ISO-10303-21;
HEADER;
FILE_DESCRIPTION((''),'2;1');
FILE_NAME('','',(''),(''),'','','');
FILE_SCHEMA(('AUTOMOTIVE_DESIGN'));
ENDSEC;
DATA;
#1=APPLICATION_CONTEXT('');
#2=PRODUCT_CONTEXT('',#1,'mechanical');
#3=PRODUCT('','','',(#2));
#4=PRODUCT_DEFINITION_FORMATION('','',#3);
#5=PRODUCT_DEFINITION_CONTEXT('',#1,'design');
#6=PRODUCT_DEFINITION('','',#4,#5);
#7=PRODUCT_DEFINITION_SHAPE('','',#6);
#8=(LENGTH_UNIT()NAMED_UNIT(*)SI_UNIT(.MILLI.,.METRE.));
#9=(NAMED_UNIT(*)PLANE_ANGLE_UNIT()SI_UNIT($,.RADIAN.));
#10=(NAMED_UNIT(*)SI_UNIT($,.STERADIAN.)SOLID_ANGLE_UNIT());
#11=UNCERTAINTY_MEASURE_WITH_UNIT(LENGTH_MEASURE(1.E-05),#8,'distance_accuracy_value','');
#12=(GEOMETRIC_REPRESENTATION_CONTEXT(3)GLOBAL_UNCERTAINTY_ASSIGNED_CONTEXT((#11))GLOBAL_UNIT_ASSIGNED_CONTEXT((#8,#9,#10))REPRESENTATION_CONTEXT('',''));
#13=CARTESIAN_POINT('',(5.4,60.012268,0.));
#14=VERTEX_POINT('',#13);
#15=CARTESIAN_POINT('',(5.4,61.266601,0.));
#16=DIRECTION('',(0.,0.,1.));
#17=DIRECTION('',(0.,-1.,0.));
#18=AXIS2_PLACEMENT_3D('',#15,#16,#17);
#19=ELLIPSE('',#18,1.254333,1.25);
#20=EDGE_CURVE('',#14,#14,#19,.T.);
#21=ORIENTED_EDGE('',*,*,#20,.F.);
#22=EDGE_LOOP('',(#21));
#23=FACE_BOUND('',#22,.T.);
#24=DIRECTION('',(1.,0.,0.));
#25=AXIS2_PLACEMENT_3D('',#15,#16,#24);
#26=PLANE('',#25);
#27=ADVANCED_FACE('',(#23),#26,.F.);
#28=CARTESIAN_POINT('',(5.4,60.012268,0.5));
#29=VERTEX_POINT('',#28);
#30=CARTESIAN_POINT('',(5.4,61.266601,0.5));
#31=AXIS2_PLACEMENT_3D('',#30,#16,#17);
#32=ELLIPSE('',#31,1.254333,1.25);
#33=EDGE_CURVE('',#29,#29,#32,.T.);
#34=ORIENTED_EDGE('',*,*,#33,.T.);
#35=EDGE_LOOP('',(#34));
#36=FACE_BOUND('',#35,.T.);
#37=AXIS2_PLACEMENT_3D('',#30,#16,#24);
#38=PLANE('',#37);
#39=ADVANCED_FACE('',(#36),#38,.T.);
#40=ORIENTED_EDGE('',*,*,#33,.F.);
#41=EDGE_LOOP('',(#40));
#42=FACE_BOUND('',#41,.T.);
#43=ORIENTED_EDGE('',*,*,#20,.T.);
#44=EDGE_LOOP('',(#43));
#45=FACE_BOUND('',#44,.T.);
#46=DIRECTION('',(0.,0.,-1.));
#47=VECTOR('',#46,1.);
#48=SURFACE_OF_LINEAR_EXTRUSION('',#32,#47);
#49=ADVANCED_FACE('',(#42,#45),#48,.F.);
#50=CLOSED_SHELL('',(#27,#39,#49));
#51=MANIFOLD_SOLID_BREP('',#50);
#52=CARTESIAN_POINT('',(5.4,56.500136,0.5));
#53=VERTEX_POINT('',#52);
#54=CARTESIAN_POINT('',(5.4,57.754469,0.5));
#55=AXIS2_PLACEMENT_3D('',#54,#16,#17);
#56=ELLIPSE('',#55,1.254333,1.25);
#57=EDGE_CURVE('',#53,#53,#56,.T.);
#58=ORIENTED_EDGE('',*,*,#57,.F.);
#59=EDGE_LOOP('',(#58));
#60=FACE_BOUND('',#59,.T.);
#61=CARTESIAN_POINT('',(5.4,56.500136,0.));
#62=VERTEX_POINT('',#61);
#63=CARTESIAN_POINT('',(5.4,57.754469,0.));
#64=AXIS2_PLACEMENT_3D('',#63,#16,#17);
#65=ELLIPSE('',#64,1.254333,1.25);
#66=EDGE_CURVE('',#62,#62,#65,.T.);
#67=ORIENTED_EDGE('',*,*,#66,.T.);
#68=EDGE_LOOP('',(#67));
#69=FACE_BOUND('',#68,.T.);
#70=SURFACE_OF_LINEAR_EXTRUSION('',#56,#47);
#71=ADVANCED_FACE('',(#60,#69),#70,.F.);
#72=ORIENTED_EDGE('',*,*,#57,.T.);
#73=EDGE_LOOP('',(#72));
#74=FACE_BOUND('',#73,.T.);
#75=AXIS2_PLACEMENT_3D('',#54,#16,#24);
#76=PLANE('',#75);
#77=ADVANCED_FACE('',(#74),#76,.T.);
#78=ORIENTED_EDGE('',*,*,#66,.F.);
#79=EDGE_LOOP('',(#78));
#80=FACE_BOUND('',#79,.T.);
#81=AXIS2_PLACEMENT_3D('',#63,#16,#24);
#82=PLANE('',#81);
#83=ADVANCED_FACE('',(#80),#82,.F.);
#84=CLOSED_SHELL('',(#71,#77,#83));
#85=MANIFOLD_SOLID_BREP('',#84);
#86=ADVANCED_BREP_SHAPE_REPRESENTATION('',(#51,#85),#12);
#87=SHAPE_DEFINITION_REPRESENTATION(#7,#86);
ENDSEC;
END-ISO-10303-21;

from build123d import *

# Parameters (mm, degrees)
ESQUISSE1_RX         = 1.254332769
ESQUISSE1_RY         = 1.25
BOSS_EXTRU_1_DEPTH   = 0.5
BOSS_EXTRU_1_2_DEPTH = 0.5


with BuildPart() as part:
    # Esquisse1 → Boss.-Extru.1 (new body)
    with BuildSketch(Plane.XY):
        with Locations(Location((5.4, 61.266600666), (0, 0, -90))):
            Ellipse(ESQUISSE1_RX, ESQUISSE1_RY)
    extrude(amount=BOSS_EXTRU_1_DEPTH)


with BuildPart() as body_2:
    # Esquisse1 → Boss.-Extru.1 2 (new body)
    with BuildSketch(Plane.XY):
        with Locations(Location((5.4, 57.754468914), (0, 0, -90))):
            Ellipse(ESQUISSE1_RX, ESQUISSE1_RY)
    extrude(amount=BOSS_EXTRU_1_2_DEPTH)


solid = Compound([part.part, body_2.part])
